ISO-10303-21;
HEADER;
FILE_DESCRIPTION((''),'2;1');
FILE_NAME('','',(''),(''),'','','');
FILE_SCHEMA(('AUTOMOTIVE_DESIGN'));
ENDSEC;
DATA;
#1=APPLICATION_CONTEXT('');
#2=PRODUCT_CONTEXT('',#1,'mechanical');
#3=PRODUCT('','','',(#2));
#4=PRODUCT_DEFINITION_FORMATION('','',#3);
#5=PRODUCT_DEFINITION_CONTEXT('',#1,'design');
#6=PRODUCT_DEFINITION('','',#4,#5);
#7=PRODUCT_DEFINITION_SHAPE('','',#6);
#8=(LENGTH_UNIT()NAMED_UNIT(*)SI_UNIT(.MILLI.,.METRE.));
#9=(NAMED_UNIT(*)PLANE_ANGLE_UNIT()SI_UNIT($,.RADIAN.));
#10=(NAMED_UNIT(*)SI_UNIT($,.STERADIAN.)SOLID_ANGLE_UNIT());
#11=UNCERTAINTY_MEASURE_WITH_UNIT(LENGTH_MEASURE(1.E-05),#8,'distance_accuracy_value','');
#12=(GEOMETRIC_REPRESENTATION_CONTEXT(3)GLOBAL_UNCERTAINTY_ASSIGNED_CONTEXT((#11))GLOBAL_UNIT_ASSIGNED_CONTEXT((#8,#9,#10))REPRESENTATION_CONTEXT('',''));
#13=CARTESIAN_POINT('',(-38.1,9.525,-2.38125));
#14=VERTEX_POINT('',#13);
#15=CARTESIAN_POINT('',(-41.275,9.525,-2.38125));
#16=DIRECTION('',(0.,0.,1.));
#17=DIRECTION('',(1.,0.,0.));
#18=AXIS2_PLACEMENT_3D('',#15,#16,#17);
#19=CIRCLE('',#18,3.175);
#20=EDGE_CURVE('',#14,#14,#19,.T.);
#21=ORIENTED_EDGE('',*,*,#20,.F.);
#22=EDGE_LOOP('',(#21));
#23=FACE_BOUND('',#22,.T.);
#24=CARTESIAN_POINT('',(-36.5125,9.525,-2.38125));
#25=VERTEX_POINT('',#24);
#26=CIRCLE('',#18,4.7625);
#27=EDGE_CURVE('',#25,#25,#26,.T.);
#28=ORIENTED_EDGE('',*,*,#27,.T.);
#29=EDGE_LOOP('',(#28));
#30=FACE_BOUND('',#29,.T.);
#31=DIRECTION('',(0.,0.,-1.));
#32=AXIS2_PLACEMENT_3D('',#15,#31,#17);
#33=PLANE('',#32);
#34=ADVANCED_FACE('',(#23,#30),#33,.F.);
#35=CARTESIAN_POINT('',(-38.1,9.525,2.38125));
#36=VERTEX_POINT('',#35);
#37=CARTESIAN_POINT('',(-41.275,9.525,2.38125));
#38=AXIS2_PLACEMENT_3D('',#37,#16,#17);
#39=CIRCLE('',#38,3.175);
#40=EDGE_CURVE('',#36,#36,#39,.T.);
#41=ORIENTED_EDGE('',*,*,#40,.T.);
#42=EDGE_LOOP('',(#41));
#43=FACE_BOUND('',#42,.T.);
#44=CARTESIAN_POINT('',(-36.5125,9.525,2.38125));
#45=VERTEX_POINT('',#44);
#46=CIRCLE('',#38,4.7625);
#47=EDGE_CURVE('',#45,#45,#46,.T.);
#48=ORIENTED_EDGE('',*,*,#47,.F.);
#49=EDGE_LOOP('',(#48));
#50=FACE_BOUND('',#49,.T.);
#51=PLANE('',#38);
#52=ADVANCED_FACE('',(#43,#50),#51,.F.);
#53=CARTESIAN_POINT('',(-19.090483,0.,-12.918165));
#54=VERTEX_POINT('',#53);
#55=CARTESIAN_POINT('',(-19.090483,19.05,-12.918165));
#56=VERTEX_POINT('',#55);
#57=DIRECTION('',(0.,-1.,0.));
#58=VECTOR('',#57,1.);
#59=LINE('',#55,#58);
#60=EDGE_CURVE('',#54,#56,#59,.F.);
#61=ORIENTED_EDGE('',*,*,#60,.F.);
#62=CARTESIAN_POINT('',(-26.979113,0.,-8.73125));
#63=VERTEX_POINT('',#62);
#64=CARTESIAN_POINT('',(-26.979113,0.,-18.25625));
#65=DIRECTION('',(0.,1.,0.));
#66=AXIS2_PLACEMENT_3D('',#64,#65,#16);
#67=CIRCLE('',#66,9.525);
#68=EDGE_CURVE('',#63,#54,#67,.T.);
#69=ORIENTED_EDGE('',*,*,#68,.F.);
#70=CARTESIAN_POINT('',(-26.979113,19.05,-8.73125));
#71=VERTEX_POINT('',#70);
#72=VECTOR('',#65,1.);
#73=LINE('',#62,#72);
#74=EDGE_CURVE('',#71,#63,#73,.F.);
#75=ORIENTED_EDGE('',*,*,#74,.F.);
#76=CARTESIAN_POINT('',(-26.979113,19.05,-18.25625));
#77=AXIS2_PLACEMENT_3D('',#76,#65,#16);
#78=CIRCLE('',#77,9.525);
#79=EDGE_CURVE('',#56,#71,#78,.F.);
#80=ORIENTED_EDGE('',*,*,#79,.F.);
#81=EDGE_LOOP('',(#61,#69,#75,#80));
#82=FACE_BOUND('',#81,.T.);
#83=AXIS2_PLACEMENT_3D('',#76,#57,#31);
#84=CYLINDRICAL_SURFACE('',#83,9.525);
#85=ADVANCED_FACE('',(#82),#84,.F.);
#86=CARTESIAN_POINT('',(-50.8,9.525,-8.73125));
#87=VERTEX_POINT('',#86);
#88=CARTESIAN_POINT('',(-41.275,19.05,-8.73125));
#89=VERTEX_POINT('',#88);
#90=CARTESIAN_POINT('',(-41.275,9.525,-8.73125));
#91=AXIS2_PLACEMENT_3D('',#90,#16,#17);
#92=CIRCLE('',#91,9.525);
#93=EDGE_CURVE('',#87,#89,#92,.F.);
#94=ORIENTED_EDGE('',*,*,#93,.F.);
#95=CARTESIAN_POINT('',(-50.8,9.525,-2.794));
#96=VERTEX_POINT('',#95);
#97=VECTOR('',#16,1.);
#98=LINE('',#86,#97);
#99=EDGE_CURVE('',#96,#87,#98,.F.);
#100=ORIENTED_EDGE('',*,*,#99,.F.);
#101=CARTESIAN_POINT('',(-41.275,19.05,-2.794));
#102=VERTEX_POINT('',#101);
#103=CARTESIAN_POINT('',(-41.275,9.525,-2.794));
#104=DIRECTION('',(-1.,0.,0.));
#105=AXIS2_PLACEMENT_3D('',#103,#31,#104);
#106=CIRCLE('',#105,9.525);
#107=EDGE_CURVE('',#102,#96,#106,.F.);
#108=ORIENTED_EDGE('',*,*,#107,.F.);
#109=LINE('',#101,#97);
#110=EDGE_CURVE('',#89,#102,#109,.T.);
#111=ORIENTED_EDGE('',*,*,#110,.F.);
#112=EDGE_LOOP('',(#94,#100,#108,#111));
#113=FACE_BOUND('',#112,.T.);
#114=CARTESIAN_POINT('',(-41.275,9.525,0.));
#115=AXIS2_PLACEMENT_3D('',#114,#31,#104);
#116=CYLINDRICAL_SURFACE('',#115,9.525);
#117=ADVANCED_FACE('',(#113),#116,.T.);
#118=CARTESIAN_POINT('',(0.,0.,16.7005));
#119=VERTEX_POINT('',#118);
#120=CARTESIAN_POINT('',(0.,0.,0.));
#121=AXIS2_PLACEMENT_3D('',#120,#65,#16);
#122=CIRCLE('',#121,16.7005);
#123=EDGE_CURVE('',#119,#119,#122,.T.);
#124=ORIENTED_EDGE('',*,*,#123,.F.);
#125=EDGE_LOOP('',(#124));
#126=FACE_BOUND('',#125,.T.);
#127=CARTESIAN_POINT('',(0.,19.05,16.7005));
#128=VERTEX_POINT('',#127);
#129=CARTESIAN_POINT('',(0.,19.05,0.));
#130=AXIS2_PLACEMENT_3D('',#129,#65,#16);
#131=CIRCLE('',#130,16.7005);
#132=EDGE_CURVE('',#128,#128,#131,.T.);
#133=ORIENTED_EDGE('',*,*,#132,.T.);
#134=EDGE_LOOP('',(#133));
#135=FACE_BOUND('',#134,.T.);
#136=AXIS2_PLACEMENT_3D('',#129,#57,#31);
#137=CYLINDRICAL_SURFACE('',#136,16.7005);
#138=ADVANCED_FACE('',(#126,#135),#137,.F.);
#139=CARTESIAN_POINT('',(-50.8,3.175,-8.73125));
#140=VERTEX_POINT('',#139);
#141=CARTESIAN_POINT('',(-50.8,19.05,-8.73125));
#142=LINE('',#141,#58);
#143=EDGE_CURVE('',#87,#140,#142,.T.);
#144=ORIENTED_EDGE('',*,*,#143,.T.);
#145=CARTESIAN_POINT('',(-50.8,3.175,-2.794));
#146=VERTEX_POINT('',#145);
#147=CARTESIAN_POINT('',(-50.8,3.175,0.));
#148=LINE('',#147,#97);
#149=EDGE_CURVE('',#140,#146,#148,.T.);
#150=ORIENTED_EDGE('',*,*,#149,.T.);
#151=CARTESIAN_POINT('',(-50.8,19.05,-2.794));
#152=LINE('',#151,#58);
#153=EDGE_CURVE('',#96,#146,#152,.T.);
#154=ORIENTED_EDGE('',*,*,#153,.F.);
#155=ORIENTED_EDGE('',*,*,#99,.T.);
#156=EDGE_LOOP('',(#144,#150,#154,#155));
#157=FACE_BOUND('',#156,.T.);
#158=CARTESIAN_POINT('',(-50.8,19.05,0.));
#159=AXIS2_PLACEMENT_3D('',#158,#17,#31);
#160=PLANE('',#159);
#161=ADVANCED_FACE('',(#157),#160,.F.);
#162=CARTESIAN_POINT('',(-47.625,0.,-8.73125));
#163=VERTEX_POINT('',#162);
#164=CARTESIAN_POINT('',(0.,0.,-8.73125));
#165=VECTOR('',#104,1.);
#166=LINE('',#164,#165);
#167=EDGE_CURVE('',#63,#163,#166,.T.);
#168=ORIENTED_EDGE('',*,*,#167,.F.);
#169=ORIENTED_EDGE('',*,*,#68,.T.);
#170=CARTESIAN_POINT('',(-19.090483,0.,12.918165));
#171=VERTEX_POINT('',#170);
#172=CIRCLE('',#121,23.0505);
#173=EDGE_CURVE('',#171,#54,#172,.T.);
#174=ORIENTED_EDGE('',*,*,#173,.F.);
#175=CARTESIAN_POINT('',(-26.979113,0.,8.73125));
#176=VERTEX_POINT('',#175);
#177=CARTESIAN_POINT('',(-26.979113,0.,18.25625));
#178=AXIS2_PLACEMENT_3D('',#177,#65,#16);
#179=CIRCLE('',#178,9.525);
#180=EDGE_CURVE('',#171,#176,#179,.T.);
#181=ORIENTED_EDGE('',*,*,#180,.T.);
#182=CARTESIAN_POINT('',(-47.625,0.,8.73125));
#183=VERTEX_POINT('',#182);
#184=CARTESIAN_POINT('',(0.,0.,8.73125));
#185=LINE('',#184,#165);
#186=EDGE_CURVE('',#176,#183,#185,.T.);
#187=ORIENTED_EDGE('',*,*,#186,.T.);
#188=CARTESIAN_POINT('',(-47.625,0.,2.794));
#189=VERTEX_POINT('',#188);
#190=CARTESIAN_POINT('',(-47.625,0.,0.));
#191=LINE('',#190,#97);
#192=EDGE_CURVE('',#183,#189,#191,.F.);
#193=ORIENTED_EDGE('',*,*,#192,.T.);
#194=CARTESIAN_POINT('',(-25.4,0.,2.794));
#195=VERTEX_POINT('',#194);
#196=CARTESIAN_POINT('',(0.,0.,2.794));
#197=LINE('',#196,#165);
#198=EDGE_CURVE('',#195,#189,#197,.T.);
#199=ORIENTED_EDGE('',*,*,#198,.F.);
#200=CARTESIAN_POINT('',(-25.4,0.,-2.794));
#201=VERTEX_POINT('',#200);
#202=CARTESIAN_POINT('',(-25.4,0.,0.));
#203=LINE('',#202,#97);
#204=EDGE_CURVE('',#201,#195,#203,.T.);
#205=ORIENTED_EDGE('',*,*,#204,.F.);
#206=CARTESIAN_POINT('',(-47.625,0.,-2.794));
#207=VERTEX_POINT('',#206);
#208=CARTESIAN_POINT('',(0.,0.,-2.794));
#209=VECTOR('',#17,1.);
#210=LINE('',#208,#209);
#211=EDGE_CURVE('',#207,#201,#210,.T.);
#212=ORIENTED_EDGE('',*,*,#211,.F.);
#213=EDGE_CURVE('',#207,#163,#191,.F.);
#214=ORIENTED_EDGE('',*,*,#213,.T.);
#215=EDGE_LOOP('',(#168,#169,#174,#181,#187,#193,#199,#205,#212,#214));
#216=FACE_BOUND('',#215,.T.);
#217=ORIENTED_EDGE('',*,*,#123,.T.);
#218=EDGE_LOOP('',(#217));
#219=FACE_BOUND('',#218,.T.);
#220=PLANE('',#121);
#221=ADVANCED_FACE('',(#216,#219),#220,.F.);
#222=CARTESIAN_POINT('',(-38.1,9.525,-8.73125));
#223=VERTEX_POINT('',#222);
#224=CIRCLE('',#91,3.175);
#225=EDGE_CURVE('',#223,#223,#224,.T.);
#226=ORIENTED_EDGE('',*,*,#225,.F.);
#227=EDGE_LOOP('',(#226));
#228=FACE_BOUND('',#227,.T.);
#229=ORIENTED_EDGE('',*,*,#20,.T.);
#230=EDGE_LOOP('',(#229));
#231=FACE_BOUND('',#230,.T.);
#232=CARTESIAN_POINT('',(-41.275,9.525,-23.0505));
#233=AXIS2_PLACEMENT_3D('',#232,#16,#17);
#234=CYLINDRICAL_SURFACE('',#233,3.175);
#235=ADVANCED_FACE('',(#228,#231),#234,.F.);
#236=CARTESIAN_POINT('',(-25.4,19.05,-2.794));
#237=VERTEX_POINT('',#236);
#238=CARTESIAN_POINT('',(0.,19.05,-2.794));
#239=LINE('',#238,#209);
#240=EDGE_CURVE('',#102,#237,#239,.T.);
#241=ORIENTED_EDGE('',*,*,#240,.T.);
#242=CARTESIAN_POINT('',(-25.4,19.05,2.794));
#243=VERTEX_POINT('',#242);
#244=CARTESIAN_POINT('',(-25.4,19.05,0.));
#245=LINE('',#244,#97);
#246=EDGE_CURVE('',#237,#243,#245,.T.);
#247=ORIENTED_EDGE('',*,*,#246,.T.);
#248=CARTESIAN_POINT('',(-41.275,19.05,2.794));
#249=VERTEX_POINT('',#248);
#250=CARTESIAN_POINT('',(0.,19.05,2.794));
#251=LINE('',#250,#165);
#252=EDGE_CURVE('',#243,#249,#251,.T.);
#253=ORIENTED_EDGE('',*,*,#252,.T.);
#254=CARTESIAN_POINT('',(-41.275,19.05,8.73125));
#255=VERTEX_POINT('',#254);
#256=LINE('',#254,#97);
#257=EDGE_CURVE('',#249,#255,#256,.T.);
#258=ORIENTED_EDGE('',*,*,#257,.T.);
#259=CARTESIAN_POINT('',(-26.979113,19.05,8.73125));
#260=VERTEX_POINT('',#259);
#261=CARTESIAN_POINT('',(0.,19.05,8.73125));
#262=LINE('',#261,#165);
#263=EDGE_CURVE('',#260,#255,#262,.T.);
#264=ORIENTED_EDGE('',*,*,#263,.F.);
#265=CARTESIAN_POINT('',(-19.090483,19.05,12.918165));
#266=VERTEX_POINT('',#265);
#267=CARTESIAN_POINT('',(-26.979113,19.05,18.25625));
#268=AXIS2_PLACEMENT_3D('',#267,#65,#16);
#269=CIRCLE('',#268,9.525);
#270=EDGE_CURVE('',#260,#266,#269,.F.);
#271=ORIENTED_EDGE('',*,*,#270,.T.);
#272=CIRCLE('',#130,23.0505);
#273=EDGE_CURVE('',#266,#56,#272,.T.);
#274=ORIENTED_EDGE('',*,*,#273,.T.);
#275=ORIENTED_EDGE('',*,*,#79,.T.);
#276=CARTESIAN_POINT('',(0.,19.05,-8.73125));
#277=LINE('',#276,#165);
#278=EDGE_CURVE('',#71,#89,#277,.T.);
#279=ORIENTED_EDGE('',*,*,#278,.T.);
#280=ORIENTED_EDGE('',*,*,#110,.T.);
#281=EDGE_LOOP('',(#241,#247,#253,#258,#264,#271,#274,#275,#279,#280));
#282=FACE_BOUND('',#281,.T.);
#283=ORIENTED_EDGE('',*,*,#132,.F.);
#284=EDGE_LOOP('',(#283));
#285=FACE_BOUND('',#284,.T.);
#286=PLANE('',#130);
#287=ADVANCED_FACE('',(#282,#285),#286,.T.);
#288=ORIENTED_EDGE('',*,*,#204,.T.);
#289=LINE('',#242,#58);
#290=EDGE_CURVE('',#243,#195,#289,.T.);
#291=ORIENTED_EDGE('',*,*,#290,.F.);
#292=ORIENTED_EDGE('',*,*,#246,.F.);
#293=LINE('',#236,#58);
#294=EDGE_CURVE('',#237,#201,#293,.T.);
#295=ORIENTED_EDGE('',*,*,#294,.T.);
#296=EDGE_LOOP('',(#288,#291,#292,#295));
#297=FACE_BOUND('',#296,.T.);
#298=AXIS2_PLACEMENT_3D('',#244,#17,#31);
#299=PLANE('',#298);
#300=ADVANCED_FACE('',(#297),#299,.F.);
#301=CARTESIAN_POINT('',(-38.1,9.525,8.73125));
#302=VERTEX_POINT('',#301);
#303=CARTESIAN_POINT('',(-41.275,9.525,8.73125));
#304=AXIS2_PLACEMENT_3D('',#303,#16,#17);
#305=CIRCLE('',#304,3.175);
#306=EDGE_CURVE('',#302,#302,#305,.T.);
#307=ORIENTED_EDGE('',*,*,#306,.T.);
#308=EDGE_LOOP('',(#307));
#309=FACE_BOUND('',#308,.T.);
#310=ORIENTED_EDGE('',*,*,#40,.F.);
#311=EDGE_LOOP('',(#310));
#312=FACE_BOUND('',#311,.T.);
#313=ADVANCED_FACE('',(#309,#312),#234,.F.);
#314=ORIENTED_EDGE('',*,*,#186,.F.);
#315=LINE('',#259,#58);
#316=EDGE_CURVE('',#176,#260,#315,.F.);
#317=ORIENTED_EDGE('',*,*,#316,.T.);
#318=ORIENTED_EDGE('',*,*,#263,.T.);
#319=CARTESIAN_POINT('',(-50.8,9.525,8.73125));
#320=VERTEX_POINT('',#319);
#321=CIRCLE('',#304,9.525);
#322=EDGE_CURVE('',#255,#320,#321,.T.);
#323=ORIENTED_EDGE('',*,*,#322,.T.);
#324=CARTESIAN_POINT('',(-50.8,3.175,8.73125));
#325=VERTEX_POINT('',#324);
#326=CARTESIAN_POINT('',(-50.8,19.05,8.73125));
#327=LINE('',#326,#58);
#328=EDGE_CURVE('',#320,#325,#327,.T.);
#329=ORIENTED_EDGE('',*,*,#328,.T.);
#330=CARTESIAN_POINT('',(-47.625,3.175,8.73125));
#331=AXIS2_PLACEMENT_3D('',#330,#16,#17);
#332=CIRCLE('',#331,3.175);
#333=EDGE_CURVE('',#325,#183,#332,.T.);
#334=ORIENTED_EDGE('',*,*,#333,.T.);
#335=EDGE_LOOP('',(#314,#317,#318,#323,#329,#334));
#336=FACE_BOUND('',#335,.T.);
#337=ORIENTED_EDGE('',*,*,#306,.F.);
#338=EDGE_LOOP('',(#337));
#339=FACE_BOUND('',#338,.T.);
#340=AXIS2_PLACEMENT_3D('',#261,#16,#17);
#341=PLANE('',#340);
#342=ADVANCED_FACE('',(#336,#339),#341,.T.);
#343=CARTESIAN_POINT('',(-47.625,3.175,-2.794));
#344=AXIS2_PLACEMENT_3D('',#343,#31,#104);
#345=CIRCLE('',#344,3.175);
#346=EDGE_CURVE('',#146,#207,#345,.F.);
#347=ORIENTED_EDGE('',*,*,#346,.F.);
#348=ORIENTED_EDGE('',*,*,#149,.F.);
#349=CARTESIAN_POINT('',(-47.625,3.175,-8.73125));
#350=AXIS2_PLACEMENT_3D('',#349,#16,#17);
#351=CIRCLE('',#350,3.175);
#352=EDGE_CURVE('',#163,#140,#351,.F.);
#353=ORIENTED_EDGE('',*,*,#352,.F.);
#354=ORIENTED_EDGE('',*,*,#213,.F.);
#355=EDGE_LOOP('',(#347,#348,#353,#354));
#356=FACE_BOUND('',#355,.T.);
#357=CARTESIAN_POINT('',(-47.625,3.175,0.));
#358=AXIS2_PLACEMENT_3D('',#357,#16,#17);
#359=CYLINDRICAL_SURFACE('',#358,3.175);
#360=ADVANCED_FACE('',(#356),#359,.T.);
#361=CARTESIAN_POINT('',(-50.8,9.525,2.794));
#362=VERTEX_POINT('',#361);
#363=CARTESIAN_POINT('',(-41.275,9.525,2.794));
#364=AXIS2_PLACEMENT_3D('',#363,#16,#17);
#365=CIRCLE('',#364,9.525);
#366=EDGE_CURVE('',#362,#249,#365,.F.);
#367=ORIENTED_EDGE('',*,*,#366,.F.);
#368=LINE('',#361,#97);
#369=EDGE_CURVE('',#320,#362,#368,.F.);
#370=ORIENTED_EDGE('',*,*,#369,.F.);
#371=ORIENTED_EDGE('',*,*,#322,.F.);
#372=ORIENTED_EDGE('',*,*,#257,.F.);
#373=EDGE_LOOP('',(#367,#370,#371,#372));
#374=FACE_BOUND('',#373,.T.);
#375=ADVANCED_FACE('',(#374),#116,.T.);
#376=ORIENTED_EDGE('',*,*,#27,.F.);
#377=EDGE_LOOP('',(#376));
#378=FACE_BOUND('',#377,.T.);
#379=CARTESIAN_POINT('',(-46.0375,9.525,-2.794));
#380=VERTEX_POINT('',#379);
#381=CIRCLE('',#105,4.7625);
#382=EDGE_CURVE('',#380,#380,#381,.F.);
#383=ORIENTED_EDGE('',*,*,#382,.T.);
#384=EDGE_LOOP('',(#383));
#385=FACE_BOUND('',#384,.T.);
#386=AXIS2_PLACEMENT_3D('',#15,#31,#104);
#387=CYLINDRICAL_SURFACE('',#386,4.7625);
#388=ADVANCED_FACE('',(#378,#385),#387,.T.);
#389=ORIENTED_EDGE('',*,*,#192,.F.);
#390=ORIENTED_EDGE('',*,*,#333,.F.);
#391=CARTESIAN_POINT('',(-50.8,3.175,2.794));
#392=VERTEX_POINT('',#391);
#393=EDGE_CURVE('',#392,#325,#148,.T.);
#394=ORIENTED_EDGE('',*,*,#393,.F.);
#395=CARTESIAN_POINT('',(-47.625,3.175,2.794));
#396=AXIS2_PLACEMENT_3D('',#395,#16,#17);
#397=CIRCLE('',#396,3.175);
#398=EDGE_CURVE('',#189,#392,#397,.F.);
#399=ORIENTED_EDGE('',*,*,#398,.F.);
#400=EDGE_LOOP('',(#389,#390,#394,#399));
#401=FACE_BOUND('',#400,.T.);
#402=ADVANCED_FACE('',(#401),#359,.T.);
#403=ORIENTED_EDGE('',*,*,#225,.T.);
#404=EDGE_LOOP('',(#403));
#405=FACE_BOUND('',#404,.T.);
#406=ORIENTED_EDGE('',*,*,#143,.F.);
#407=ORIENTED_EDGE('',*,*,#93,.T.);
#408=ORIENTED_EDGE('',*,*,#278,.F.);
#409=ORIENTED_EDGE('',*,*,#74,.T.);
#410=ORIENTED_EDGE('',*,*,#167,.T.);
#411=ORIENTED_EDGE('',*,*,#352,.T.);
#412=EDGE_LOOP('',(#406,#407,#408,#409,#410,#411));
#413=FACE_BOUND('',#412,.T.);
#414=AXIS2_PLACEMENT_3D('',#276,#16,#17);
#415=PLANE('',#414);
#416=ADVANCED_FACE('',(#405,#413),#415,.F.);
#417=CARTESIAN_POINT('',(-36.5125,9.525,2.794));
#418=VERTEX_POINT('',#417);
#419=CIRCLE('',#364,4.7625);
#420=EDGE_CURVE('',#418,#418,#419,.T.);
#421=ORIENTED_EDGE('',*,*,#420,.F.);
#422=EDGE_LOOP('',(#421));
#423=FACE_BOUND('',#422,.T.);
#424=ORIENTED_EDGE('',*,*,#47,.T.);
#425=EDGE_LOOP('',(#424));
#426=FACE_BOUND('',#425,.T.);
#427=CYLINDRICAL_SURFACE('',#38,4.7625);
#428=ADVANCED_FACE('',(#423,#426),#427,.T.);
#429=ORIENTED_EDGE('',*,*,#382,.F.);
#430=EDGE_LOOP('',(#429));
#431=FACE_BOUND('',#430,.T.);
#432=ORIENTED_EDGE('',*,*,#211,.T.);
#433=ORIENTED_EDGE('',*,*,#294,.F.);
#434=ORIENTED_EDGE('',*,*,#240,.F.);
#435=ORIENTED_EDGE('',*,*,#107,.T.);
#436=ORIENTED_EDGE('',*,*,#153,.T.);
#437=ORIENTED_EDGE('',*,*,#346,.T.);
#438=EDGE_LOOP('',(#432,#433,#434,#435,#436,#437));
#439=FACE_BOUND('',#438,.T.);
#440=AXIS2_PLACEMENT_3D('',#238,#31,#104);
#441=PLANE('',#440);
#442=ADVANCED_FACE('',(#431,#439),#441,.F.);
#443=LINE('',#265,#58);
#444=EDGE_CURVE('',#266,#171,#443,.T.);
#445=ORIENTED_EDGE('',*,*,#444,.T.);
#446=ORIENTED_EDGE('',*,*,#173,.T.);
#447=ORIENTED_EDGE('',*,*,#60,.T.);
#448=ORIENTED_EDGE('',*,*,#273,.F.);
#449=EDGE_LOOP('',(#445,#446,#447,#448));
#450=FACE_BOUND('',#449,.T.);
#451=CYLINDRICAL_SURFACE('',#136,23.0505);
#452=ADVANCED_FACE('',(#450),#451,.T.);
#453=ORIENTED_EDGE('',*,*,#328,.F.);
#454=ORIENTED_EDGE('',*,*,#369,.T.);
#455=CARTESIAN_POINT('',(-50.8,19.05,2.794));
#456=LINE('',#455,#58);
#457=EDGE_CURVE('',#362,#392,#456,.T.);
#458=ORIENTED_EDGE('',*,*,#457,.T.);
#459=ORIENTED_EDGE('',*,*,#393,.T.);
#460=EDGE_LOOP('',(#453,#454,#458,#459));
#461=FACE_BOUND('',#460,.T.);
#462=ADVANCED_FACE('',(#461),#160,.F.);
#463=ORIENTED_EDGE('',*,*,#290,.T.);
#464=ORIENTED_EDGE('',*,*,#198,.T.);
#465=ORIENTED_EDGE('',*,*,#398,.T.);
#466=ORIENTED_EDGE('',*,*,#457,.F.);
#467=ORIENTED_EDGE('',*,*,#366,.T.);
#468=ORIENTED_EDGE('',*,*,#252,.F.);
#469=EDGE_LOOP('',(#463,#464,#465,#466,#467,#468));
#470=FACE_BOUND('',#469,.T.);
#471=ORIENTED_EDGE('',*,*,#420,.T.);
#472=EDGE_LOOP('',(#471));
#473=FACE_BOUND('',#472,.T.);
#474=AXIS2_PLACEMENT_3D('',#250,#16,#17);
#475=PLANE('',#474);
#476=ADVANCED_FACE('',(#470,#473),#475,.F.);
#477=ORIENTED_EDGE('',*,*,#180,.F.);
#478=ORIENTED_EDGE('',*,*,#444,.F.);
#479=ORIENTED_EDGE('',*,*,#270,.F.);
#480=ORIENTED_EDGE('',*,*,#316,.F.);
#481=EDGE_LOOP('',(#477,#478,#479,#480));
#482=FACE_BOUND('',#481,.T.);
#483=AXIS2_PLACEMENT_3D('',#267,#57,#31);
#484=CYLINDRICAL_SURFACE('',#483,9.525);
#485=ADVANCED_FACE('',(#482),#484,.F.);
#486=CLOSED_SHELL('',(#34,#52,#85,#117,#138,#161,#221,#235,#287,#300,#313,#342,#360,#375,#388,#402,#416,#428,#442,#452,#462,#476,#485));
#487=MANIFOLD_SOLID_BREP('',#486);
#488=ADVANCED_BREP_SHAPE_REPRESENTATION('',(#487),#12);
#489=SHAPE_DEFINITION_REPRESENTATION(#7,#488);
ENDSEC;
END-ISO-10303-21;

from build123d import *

# Parameters (mm, degrees)
SKETCH1_R           = 16.7005
BOSS_EXTRUDE1_DEPTH = 19.05
SKETCH2_R           = 3.175
CUT_EXTRUDE1_DEPTH  = 32.78175
SKETCH2_3_R         = 4.7625
SKETCH2_3_R_2       = 3.175
BOSS_EXTRUDE2_DEPTH = 6.35
FILLET1_R           = 9.525
FILLET2_R           = 3.175


with BuildPart() as part:
    # Sketch1 → Boss-Extrude1 (new body)
    with BuildSketch(Plane(origin=(0, 0, 0), x_dir=(1, 0, 0), z_dir=(0, 1, 0))):
        with BuildLine():
            Line((-21.332857842, 8.73125), (-50.8, 8.73125))
            Line((-50.8, 8.73125), (-50.8, 2.794))
            Line((-50.8, 2.794), (-25.4, 2.794))
            Line((-25.4, 2.794), (-25.4, -2.794))
            Line((-25.4, -2.794), (-50.8, -2.794))
            Line((-50.8, -2.794), (-50.8, -8.73125))
            Line((-50.8, -8.73125), (-21.332857842, -8.73125))
            ThreePointArc((-21.332857842, -8.73125), (23.0505, 0), (-21.332857842, 8.73125))
        make_face()
        Circle(SKETCH1_R, mode=Mode.SUBTRACT)
    extrude(amount=BOSS_EXTRUDE1_DEPTH)

    # Sketch2 → Cut-Extrude1 (cut, through all)
    with BuildSketch(Plane.XY.offset(8.73125)):
        with Locations((-41.275, 9.525)):
            Circle(SKETCH2_R)
    extrude(amount=-CUT_EXTRUDE1_DEPTH, mode=Mode.SUBTRACT)

    # Sketch2<3> → Boss-Extrude2 (add)
    with BuildSketch(Plane.XY.offset(8.73125)):
        with Locations((-41.275, 9.525)):
            Circle(SKETCH2_3_R)
        with Locations((-41.275, 9.525)):
            Circle(SKETCH2_3_R_2, mode=Mode.SUBTRACT)
    boss_extrude2 = extrude(amount=-BOSS_EXTRUDE2_DEPTH)

    # Mirror1: Boss-Extrude2 across plane
    add(boss_extrude2.mirror(Plane.XY))

    # Fillet1
    fillet1_edges = [part.edges().sort_by_distance(p)[0] for p in [
        (-50.8, 19.05, -5.762625),
        (-21.332857842, 9.525, -8.73125),
        (-21.332857842, 9.525, 8.73125),
        (-50.8, 19.05, 5.762625),
    ]]
    fillet(fillet1_edges, radius=FILLET1_R)

    # Fillet2
    fillet2_edges = [part.edges().sort_by_distance(p)[0] for p in [
        (-50.8, 0, 5.762625),
        (-50.8, 0, -5.762625),
    ]]
    fillet(fillet2_edges, radius=FILLET2_R)


solid = part.part
